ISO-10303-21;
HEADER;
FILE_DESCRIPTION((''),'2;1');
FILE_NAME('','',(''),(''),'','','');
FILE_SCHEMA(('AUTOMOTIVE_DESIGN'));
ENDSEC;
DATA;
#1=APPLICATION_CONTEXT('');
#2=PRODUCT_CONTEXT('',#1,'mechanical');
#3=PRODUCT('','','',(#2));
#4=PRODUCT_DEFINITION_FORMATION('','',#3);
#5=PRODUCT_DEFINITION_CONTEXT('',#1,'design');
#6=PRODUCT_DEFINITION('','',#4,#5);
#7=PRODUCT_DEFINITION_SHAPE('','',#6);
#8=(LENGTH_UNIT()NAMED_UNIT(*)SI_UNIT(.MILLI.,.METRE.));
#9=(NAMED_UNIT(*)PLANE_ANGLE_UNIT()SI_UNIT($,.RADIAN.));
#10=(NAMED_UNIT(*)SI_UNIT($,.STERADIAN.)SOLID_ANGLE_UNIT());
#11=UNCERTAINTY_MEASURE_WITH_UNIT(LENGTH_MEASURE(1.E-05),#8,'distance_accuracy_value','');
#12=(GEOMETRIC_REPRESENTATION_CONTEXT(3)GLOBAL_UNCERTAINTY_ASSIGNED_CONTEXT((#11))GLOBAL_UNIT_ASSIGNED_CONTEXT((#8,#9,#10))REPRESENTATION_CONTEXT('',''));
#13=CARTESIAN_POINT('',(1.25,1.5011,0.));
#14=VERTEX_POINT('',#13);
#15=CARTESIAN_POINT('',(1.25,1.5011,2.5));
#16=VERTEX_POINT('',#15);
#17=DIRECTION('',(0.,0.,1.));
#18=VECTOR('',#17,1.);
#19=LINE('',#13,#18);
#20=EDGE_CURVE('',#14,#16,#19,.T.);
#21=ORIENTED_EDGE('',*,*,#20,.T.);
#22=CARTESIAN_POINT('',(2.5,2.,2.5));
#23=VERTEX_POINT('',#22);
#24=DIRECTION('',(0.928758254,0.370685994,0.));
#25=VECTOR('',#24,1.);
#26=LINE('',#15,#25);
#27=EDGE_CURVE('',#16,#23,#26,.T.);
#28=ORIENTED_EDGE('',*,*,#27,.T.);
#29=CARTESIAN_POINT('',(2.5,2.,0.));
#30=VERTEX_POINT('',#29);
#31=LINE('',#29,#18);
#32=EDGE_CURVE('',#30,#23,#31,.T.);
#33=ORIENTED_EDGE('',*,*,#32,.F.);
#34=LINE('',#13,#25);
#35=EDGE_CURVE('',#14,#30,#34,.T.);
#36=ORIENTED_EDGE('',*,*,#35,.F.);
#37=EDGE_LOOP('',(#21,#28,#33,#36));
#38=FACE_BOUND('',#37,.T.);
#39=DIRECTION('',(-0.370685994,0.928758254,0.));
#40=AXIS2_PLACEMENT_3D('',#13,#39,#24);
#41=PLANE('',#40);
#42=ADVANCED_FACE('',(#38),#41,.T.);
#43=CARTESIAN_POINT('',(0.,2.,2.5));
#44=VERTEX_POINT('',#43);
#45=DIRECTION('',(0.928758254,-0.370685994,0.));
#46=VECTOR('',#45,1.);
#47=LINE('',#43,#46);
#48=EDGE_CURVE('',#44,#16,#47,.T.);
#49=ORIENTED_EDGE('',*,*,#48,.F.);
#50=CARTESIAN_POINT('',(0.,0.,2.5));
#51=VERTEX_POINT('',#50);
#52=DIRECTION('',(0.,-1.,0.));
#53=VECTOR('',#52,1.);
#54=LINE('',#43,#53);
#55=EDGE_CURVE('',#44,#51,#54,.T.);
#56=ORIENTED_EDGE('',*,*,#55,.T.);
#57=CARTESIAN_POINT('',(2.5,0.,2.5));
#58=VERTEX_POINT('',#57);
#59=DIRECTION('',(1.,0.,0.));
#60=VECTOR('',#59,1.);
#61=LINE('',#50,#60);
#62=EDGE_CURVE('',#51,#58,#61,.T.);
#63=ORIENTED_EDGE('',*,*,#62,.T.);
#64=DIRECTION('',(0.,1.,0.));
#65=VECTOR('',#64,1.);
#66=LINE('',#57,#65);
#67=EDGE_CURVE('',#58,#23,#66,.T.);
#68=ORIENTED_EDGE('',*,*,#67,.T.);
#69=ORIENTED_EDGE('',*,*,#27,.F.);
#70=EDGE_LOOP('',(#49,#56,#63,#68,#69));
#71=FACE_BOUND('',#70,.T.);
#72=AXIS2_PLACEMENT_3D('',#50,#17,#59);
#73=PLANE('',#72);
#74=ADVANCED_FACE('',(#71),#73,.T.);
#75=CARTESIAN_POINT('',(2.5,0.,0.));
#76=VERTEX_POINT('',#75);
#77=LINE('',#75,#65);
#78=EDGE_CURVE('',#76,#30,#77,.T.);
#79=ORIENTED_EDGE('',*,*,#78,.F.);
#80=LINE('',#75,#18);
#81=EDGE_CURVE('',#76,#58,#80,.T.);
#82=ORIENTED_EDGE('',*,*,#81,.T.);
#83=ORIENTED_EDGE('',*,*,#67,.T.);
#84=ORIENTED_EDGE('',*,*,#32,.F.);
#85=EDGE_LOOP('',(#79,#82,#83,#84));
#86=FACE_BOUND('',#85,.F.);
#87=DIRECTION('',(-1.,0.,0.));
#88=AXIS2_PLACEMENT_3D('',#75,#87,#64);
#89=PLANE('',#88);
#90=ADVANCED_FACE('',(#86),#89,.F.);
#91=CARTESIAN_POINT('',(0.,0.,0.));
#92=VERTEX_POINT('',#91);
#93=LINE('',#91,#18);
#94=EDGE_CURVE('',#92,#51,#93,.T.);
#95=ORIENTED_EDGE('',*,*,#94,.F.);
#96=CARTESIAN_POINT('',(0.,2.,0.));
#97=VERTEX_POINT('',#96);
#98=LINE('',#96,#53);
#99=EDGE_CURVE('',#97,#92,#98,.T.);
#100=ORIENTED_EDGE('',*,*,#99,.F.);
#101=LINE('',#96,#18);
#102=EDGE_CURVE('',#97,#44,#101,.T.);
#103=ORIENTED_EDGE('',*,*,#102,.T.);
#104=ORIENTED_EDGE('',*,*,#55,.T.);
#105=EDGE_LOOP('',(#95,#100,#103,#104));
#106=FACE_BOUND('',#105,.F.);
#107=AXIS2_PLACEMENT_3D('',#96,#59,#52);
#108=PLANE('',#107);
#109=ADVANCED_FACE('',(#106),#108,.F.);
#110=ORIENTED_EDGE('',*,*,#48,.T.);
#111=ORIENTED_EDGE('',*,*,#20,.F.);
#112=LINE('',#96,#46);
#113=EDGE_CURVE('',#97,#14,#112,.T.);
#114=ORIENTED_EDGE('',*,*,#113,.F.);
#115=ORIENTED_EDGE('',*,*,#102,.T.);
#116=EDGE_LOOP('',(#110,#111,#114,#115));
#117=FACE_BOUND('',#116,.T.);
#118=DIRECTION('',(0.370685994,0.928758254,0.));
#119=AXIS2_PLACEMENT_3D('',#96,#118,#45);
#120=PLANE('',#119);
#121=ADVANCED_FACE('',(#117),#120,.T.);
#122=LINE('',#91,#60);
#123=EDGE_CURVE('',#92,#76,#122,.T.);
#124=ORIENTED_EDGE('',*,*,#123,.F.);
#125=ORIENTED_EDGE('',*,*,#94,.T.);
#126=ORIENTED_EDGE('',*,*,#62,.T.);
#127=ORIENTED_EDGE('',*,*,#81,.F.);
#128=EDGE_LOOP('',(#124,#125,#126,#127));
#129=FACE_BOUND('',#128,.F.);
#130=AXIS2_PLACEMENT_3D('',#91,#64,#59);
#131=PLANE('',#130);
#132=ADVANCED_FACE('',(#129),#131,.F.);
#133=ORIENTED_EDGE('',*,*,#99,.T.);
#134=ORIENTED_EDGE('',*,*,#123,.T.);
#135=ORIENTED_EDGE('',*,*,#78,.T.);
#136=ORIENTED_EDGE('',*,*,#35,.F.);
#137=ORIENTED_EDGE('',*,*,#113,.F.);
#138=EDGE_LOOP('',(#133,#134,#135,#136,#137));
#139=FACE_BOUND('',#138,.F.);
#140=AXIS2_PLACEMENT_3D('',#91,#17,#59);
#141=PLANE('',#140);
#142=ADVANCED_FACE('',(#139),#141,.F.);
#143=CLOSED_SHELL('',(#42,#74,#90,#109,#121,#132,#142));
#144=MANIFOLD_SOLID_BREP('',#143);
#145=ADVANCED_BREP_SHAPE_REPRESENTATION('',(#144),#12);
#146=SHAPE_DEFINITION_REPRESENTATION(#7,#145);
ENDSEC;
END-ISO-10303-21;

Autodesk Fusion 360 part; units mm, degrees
sketch "Sketch1" plane through (0, 0, 0) normal (0, 0, 1) x (1, 0, 0)
  line L0 (0, 0) -> (2.5, 0)
  line L1 (2.5, 0) -> (2.5, 2)
  line L2 (0, 2) -> (0, 0)
  line L3 (0, 2) -> (1.25, 1.5011)
  line L4 (1.25, 1.5011) -> (2.5, 2)
  dimension "d4" = 2
  dimension "d5" = 1.3459
  dimension "d6" = 1.3459
  dimension "d7" = 1.5011
  dimension "d8" = 2.5
extrude "Extrude1" add sketch "Sketch1" along normal blind 2.5
